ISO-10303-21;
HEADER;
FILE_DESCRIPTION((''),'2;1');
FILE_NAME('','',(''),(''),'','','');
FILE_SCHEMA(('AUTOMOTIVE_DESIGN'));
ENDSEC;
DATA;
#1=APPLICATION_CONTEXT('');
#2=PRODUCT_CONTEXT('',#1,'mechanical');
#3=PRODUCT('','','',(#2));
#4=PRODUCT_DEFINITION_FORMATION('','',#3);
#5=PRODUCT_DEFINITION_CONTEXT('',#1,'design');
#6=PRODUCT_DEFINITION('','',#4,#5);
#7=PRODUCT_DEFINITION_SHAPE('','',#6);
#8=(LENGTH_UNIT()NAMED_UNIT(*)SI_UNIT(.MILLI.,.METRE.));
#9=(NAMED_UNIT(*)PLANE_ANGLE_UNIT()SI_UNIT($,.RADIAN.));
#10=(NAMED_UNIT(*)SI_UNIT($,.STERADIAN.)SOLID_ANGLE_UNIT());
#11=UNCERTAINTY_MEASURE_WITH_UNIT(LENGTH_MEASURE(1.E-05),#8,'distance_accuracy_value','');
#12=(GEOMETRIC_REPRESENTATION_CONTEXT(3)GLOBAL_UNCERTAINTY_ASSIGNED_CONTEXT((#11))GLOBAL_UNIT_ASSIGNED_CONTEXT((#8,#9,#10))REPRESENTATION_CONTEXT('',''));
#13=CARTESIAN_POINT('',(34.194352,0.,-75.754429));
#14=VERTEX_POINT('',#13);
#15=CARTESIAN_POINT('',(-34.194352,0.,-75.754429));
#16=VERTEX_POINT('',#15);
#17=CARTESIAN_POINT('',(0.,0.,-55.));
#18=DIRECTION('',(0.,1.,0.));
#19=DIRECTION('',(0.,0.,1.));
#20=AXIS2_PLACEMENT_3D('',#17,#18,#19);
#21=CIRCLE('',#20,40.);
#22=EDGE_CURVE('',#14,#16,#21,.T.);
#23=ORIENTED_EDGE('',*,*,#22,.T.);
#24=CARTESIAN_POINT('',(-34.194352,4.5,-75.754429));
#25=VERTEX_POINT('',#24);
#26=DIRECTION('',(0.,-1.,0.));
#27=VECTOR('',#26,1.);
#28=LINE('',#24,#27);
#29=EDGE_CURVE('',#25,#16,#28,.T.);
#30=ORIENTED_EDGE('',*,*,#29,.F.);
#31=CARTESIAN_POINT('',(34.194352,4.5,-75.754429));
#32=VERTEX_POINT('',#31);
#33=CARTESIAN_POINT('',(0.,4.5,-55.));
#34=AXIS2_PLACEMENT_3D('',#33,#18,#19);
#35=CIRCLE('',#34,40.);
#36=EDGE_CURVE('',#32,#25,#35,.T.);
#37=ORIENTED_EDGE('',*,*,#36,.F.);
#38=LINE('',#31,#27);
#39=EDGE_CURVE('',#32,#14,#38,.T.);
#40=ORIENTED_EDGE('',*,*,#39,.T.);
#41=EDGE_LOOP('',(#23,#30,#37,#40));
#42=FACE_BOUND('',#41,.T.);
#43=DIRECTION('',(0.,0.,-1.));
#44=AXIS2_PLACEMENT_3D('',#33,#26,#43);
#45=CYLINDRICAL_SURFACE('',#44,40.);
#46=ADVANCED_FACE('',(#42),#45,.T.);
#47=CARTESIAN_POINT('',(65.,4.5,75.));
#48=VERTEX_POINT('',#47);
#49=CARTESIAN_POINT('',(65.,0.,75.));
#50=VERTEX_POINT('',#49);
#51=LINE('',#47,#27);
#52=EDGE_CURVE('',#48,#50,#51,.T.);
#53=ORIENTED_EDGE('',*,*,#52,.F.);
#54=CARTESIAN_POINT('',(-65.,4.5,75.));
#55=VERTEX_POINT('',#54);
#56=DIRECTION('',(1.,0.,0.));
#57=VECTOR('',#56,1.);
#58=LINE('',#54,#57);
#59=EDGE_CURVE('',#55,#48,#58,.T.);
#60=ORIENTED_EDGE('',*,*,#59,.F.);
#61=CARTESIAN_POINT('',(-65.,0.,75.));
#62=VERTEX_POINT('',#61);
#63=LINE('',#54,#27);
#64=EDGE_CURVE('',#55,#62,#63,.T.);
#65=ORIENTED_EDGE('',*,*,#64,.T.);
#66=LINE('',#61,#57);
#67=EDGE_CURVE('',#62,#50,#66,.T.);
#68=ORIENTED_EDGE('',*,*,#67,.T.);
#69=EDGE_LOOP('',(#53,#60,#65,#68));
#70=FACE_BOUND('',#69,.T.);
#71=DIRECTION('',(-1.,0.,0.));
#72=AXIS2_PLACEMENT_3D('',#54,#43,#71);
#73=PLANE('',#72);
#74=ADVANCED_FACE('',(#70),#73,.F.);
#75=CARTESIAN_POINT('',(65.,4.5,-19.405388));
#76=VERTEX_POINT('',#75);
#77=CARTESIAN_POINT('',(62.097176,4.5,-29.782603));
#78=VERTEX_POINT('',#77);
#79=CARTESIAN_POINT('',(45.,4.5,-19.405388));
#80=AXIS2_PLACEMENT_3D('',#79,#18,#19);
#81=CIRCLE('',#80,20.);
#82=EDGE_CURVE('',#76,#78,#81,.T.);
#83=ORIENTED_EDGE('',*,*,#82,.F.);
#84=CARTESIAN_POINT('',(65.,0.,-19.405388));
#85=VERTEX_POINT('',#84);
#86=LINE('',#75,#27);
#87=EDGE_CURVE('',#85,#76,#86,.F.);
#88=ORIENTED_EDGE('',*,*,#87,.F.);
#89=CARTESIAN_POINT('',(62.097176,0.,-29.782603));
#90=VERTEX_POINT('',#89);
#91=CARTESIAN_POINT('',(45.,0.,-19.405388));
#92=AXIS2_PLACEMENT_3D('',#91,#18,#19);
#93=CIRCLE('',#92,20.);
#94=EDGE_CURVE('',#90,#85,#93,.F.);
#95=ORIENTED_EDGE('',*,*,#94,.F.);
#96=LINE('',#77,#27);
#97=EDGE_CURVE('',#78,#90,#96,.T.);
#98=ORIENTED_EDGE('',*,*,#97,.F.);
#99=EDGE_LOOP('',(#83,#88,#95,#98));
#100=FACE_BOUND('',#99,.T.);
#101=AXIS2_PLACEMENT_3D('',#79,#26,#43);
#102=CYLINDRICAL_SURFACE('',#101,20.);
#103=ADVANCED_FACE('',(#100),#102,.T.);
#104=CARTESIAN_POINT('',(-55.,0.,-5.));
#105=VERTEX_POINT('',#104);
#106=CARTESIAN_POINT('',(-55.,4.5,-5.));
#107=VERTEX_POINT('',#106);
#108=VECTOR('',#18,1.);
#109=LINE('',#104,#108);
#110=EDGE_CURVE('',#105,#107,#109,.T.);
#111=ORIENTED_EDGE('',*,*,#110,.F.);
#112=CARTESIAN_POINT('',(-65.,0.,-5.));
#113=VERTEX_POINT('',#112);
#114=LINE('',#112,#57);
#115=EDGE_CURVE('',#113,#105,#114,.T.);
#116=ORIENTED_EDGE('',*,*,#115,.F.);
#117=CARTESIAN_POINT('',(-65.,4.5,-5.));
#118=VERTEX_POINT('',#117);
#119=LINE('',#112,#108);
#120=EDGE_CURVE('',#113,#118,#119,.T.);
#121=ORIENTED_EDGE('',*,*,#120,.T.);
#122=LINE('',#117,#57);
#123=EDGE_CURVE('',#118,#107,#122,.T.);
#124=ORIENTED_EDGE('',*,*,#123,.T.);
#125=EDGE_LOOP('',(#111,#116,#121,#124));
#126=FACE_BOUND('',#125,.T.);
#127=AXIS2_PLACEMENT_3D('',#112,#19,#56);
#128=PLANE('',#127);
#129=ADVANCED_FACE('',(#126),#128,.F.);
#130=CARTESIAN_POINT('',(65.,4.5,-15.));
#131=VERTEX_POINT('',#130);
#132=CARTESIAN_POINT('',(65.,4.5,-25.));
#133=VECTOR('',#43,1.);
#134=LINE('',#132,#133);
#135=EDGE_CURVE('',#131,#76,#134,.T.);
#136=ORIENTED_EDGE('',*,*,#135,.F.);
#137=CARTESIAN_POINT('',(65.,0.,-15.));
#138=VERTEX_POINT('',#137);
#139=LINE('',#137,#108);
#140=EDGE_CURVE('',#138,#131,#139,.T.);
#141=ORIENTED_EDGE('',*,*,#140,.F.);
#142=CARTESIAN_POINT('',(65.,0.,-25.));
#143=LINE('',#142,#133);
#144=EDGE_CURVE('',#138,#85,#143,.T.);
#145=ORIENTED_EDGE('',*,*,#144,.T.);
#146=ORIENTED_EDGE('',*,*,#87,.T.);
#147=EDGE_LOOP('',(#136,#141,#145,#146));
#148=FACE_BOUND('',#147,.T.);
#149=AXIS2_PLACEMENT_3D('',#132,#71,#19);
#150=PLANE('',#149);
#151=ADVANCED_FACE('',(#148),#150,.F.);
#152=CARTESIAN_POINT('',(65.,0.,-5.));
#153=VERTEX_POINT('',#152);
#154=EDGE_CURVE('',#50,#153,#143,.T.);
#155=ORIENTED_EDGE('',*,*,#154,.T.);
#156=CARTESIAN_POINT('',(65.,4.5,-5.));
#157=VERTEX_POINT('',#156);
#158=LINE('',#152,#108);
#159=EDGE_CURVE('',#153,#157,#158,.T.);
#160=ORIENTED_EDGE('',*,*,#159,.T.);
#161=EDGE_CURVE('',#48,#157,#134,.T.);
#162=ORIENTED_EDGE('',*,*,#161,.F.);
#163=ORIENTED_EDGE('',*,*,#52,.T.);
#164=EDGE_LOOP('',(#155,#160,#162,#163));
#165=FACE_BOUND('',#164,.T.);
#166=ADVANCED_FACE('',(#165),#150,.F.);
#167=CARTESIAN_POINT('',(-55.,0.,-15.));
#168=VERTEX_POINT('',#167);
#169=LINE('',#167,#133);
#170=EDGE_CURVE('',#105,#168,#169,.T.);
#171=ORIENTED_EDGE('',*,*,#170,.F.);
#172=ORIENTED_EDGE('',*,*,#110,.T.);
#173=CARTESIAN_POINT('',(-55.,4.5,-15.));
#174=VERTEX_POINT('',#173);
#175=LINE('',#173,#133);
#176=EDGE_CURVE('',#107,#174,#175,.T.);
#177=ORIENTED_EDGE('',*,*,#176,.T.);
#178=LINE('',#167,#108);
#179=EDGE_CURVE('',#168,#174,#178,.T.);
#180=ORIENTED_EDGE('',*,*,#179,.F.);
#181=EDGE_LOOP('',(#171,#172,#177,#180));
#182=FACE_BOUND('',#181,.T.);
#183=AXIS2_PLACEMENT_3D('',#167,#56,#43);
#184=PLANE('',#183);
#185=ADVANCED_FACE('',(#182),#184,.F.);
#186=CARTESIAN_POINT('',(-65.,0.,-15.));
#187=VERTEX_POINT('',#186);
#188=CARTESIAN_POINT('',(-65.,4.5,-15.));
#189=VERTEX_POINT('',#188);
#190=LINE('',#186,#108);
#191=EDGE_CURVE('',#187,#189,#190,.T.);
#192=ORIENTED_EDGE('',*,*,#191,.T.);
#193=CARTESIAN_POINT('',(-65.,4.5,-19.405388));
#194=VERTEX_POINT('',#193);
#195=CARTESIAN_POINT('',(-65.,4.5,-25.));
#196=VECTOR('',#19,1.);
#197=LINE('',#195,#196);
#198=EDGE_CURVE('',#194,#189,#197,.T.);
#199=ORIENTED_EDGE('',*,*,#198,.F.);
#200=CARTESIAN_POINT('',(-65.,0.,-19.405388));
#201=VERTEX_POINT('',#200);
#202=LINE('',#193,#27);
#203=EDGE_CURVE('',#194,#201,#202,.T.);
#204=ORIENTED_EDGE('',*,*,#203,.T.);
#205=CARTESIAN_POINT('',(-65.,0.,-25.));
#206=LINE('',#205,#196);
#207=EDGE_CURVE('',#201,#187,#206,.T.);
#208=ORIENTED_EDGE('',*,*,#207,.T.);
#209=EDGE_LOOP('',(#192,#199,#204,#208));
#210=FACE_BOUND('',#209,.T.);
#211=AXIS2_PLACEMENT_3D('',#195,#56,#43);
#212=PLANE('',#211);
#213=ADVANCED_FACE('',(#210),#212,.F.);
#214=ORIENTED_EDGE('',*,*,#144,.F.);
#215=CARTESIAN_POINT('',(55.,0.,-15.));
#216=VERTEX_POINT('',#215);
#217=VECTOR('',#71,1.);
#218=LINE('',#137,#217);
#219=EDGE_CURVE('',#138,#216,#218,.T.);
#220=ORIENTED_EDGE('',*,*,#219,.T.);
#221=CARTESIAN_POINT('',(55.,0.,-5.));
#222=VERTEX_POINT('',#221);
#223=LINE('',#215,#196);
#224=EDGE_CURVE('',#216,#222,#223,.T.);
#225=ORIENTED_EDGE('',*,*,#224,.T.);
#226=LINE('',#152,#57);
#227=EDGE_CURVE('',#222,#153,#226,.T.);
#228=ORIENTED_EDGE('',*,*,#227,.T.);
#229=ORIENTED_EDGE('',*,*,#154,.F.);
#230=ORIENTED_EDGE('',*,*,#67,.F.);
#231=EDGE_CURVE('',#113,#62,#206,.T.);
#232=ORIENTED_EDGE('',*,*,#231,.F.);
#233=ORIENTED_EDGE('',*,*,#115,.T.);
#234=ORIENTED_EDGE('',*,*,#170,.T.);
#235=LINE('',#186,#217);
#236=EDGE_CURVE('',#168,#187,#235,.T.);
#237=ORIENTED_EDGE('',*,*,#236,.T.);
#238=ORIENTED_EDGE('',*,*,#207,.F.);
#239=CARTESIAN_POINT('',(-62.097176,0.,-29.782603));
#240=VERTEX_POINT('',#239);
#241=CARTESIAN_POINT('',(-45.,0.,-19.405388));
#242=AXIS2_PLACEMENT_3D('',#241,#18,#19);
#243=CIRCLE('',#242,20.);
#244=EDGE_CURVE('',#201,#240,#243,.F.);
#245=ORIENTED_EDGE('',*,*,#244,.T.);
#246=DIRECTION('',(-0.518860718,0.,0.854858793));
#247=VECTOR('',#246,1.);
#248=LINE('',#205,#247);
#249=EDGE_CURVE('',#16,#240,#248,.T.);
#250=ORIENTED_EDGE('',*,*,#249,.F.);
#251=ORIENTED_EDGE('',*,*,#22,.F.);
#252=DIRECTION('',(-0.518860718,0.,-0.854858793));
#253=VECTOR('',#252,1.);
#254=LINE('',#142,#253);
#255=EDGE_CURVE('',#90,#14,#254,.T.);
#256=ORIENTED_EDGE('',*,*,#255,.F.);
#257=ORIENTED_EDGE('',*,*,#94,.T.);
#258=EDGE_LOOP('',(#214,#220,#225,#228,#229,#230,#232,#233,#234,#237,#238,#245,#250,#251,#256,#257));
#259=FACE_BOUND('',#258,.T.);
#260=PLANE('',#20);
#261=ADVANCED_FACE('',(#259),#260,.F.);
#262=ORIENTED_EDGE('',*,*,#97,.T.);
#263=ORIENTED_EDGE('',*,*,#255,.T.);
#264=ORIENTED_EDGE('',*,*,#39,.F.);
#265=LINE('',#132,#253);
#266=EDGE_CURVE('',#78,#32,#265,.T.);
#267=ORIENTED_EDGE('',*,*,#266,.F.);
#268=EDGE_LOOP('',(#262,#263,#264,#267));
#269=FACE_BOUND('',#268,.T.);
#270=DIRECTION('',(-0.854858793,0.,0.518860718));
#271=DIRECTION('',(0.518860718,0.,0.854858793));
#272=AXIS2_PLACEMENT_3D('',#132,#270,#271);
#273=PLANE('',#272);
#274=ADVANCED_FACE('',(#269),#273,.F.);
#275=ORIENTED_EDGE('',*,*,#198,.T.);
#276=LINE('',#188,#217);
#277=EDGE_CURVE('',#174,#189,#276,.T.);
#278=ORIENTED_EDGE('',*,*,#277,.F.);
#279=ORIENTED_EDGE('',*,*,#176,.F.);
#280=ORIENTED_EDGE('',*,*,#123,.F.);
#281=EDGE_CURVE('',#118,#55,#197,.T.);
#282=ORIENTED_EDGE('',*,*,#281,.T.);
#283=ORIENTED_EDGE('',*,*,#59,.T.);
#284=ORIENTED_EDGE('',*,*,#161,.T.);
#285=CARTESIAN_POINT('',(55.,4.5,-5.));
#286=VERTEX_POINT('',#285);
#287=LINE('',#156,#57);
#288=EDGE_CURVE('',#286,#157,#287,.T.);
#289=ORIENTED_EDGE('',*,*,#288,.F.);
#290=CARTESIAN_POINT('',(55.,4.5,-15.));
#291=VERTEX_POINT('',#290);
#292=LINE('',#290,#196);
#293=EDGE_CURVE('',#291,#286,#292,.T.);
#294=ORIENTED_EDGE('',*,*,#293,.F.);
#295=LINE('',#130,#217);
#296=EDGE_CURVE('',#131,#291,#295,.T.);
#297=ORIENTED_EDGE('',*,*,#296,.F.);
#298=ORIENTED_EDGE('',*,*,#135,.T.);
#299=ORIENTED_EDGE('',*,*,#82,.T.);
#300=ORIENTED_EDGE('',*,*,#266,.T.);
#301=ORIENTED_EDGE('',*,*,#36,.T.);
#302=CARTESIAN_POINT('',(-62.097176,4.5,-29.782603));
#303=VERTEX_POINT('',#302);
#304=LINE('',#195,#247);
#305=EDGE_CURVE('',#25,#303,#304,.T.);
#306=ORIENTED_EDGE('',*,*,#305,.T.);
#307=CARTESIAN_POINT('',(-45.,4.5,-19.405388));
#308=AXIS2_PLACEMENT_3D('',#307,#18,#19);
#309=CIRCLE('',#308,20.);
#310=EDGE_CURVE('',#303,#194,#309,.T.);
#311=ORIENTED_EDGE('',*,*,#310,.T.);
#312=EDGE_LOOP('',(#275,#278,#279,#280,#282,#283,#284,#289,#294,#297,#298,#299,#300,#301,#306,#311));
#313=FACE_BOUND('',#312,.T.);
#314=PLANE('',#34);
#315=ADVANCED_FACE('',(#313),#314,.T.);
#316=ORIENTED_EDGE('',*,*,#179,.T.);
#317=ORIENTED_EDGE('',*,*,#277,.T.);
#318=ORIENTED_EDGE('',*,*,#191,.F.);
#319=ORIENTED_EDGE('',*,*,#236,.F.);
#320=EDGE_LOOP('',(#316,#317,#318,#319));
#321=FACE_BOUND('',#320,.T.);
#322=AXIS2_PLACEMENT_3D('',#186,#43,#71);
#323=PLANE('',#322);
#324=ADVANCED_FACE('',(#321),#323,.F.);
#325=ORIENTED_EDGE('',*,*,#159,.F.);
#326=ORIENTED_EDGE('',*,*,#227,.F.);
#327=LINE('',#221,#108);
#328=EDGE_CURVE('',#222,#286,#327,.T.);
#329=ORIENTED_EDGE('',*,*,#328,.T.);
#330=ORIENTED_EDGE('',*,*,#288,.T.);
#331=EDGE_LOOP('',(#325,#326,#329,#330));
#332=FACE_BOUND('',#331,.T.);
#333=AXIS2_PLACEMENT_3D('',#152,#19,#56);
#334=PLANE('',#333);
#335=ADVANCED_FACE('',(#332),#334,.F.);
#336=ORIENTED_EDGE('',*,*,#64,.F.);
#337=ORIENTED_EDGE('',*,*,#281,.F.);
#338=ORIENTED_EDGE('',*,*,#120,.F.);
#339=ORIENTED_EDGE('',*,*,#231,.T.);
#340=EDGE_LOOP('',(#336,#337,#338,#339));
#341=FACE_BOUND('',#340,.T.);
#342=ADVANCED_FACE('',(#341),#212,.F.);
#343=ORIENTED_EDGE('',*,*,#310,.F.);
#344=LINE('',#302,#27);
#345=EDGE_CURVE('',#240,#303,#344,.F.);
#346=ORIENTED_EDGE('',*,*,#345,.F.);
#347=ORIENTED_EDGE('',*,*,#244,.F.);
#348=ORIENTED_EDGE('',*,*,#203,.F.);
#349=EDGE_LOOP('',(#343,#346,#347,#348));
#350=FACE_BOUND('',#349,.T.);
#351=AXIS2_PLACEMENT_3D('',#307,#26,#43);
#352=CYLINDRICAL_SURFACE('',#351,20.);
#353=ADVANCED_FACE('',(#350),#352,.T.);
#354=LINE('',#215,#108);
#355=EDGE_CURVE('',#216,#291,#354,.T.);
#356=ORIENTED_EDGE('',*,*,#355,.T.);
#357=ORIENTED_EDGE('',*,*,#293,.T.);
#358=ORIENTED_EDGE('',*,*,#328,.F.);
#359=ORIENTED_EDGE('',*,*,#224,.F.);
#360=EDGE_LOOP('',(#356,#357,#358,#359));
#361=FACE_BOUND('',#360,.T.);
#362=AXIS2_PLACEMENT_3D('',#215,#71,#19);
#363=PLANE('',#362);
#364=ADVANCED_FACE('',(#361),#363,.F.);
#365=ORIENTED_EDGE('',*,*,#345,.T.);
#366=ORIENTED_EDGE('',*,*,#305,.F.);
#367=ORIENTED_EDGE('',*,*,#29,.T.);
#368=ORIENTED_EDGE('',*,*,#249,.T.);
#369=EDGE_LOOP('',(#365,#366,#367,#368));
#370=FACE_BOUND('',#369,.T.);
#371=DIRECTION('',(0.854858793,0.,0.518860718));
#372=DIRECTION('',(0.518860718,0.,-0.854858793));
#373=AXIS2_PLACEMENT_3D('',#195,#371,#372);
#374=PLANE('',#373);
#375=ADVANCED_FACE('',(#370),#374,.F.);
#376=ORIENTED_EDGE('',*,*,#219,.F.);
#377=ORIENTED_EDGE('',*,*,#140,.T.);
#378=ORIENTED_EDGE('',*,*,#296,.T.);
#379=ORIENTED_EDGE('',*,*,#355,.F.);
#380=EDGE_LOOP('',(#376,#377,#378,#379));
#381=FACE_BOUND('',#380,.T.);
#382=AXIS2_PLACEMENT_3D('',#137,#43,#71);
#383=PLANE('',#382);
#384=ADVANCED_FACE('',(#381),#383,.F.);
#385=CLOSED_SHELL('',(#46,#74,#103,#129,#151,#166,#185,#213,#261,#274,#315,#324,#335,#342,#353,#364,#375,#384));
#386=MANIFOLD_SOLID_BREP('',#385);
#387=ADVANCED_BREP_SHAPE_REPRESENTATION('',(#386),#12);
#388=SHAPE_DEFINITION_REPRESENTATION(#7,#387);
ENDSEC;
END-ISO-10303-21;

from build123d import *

# Parameters (mm, degrees)
EXTRUDE_1_DEPTH     = 4.5
FILLET_1_R          = 20
SKETCH_2_W          = 10
SKETCH_2_H          = 10
CUT_EXTRUDE_1_DEPTH = 116.19657113


with BuildPart() as part:
    # 스케치1 → 보스-돌출1 (new body)
    with BuildSketch(Plane(origin=(0, 0, 0), x_dir=(1, 0, 0), z_dir=(0, 1, 0))):
        with BuildLine():
            Line((-65, 25), (-34.194351712, 75.754428709))
            ThreePointArc((-34.194351712, 75.754428709), (0, 95), (34.194351712, 75.754428709))
            Line((34.194351712, 75.754428709), (65, 25))
            Line((65, 25), (65, -75))
            Line((65, -75), (-65, -75))
            Line((-65, -75), (-65, 25))
        make_face()
    extrude(amount=EXTRUDE_1_DEPTH)

    # 필렛1
    fillet_1_edges = [part.edges().sort_by_distance(p)[0] for p in [
        (-65, 2.25, -25),
        (65, 2.25, -25),
    ]]
    fillet(fillet_1_edges, radius=FILLET_1_R)

    # 스케치2 → 컷-돌출1 (cut, through all)
    with BuildSketch(Plane(origin=(0, 4.5, 0), x_dir=(1, 0, 0), z_dir=(0, 1, 0))):
        with Locations((-60, 10)):
            Rectangle(SKETCH_2_W, SKETCH_2_H)
        with Locations((60, 10)):
            Rectangle(SKETCH_2_W, SKETCH_2_H)
    extrude(amount=-CUT_EXTRUDE_1_DEPTH, mode=Mode.SUBTRACT)


solid = part.part
